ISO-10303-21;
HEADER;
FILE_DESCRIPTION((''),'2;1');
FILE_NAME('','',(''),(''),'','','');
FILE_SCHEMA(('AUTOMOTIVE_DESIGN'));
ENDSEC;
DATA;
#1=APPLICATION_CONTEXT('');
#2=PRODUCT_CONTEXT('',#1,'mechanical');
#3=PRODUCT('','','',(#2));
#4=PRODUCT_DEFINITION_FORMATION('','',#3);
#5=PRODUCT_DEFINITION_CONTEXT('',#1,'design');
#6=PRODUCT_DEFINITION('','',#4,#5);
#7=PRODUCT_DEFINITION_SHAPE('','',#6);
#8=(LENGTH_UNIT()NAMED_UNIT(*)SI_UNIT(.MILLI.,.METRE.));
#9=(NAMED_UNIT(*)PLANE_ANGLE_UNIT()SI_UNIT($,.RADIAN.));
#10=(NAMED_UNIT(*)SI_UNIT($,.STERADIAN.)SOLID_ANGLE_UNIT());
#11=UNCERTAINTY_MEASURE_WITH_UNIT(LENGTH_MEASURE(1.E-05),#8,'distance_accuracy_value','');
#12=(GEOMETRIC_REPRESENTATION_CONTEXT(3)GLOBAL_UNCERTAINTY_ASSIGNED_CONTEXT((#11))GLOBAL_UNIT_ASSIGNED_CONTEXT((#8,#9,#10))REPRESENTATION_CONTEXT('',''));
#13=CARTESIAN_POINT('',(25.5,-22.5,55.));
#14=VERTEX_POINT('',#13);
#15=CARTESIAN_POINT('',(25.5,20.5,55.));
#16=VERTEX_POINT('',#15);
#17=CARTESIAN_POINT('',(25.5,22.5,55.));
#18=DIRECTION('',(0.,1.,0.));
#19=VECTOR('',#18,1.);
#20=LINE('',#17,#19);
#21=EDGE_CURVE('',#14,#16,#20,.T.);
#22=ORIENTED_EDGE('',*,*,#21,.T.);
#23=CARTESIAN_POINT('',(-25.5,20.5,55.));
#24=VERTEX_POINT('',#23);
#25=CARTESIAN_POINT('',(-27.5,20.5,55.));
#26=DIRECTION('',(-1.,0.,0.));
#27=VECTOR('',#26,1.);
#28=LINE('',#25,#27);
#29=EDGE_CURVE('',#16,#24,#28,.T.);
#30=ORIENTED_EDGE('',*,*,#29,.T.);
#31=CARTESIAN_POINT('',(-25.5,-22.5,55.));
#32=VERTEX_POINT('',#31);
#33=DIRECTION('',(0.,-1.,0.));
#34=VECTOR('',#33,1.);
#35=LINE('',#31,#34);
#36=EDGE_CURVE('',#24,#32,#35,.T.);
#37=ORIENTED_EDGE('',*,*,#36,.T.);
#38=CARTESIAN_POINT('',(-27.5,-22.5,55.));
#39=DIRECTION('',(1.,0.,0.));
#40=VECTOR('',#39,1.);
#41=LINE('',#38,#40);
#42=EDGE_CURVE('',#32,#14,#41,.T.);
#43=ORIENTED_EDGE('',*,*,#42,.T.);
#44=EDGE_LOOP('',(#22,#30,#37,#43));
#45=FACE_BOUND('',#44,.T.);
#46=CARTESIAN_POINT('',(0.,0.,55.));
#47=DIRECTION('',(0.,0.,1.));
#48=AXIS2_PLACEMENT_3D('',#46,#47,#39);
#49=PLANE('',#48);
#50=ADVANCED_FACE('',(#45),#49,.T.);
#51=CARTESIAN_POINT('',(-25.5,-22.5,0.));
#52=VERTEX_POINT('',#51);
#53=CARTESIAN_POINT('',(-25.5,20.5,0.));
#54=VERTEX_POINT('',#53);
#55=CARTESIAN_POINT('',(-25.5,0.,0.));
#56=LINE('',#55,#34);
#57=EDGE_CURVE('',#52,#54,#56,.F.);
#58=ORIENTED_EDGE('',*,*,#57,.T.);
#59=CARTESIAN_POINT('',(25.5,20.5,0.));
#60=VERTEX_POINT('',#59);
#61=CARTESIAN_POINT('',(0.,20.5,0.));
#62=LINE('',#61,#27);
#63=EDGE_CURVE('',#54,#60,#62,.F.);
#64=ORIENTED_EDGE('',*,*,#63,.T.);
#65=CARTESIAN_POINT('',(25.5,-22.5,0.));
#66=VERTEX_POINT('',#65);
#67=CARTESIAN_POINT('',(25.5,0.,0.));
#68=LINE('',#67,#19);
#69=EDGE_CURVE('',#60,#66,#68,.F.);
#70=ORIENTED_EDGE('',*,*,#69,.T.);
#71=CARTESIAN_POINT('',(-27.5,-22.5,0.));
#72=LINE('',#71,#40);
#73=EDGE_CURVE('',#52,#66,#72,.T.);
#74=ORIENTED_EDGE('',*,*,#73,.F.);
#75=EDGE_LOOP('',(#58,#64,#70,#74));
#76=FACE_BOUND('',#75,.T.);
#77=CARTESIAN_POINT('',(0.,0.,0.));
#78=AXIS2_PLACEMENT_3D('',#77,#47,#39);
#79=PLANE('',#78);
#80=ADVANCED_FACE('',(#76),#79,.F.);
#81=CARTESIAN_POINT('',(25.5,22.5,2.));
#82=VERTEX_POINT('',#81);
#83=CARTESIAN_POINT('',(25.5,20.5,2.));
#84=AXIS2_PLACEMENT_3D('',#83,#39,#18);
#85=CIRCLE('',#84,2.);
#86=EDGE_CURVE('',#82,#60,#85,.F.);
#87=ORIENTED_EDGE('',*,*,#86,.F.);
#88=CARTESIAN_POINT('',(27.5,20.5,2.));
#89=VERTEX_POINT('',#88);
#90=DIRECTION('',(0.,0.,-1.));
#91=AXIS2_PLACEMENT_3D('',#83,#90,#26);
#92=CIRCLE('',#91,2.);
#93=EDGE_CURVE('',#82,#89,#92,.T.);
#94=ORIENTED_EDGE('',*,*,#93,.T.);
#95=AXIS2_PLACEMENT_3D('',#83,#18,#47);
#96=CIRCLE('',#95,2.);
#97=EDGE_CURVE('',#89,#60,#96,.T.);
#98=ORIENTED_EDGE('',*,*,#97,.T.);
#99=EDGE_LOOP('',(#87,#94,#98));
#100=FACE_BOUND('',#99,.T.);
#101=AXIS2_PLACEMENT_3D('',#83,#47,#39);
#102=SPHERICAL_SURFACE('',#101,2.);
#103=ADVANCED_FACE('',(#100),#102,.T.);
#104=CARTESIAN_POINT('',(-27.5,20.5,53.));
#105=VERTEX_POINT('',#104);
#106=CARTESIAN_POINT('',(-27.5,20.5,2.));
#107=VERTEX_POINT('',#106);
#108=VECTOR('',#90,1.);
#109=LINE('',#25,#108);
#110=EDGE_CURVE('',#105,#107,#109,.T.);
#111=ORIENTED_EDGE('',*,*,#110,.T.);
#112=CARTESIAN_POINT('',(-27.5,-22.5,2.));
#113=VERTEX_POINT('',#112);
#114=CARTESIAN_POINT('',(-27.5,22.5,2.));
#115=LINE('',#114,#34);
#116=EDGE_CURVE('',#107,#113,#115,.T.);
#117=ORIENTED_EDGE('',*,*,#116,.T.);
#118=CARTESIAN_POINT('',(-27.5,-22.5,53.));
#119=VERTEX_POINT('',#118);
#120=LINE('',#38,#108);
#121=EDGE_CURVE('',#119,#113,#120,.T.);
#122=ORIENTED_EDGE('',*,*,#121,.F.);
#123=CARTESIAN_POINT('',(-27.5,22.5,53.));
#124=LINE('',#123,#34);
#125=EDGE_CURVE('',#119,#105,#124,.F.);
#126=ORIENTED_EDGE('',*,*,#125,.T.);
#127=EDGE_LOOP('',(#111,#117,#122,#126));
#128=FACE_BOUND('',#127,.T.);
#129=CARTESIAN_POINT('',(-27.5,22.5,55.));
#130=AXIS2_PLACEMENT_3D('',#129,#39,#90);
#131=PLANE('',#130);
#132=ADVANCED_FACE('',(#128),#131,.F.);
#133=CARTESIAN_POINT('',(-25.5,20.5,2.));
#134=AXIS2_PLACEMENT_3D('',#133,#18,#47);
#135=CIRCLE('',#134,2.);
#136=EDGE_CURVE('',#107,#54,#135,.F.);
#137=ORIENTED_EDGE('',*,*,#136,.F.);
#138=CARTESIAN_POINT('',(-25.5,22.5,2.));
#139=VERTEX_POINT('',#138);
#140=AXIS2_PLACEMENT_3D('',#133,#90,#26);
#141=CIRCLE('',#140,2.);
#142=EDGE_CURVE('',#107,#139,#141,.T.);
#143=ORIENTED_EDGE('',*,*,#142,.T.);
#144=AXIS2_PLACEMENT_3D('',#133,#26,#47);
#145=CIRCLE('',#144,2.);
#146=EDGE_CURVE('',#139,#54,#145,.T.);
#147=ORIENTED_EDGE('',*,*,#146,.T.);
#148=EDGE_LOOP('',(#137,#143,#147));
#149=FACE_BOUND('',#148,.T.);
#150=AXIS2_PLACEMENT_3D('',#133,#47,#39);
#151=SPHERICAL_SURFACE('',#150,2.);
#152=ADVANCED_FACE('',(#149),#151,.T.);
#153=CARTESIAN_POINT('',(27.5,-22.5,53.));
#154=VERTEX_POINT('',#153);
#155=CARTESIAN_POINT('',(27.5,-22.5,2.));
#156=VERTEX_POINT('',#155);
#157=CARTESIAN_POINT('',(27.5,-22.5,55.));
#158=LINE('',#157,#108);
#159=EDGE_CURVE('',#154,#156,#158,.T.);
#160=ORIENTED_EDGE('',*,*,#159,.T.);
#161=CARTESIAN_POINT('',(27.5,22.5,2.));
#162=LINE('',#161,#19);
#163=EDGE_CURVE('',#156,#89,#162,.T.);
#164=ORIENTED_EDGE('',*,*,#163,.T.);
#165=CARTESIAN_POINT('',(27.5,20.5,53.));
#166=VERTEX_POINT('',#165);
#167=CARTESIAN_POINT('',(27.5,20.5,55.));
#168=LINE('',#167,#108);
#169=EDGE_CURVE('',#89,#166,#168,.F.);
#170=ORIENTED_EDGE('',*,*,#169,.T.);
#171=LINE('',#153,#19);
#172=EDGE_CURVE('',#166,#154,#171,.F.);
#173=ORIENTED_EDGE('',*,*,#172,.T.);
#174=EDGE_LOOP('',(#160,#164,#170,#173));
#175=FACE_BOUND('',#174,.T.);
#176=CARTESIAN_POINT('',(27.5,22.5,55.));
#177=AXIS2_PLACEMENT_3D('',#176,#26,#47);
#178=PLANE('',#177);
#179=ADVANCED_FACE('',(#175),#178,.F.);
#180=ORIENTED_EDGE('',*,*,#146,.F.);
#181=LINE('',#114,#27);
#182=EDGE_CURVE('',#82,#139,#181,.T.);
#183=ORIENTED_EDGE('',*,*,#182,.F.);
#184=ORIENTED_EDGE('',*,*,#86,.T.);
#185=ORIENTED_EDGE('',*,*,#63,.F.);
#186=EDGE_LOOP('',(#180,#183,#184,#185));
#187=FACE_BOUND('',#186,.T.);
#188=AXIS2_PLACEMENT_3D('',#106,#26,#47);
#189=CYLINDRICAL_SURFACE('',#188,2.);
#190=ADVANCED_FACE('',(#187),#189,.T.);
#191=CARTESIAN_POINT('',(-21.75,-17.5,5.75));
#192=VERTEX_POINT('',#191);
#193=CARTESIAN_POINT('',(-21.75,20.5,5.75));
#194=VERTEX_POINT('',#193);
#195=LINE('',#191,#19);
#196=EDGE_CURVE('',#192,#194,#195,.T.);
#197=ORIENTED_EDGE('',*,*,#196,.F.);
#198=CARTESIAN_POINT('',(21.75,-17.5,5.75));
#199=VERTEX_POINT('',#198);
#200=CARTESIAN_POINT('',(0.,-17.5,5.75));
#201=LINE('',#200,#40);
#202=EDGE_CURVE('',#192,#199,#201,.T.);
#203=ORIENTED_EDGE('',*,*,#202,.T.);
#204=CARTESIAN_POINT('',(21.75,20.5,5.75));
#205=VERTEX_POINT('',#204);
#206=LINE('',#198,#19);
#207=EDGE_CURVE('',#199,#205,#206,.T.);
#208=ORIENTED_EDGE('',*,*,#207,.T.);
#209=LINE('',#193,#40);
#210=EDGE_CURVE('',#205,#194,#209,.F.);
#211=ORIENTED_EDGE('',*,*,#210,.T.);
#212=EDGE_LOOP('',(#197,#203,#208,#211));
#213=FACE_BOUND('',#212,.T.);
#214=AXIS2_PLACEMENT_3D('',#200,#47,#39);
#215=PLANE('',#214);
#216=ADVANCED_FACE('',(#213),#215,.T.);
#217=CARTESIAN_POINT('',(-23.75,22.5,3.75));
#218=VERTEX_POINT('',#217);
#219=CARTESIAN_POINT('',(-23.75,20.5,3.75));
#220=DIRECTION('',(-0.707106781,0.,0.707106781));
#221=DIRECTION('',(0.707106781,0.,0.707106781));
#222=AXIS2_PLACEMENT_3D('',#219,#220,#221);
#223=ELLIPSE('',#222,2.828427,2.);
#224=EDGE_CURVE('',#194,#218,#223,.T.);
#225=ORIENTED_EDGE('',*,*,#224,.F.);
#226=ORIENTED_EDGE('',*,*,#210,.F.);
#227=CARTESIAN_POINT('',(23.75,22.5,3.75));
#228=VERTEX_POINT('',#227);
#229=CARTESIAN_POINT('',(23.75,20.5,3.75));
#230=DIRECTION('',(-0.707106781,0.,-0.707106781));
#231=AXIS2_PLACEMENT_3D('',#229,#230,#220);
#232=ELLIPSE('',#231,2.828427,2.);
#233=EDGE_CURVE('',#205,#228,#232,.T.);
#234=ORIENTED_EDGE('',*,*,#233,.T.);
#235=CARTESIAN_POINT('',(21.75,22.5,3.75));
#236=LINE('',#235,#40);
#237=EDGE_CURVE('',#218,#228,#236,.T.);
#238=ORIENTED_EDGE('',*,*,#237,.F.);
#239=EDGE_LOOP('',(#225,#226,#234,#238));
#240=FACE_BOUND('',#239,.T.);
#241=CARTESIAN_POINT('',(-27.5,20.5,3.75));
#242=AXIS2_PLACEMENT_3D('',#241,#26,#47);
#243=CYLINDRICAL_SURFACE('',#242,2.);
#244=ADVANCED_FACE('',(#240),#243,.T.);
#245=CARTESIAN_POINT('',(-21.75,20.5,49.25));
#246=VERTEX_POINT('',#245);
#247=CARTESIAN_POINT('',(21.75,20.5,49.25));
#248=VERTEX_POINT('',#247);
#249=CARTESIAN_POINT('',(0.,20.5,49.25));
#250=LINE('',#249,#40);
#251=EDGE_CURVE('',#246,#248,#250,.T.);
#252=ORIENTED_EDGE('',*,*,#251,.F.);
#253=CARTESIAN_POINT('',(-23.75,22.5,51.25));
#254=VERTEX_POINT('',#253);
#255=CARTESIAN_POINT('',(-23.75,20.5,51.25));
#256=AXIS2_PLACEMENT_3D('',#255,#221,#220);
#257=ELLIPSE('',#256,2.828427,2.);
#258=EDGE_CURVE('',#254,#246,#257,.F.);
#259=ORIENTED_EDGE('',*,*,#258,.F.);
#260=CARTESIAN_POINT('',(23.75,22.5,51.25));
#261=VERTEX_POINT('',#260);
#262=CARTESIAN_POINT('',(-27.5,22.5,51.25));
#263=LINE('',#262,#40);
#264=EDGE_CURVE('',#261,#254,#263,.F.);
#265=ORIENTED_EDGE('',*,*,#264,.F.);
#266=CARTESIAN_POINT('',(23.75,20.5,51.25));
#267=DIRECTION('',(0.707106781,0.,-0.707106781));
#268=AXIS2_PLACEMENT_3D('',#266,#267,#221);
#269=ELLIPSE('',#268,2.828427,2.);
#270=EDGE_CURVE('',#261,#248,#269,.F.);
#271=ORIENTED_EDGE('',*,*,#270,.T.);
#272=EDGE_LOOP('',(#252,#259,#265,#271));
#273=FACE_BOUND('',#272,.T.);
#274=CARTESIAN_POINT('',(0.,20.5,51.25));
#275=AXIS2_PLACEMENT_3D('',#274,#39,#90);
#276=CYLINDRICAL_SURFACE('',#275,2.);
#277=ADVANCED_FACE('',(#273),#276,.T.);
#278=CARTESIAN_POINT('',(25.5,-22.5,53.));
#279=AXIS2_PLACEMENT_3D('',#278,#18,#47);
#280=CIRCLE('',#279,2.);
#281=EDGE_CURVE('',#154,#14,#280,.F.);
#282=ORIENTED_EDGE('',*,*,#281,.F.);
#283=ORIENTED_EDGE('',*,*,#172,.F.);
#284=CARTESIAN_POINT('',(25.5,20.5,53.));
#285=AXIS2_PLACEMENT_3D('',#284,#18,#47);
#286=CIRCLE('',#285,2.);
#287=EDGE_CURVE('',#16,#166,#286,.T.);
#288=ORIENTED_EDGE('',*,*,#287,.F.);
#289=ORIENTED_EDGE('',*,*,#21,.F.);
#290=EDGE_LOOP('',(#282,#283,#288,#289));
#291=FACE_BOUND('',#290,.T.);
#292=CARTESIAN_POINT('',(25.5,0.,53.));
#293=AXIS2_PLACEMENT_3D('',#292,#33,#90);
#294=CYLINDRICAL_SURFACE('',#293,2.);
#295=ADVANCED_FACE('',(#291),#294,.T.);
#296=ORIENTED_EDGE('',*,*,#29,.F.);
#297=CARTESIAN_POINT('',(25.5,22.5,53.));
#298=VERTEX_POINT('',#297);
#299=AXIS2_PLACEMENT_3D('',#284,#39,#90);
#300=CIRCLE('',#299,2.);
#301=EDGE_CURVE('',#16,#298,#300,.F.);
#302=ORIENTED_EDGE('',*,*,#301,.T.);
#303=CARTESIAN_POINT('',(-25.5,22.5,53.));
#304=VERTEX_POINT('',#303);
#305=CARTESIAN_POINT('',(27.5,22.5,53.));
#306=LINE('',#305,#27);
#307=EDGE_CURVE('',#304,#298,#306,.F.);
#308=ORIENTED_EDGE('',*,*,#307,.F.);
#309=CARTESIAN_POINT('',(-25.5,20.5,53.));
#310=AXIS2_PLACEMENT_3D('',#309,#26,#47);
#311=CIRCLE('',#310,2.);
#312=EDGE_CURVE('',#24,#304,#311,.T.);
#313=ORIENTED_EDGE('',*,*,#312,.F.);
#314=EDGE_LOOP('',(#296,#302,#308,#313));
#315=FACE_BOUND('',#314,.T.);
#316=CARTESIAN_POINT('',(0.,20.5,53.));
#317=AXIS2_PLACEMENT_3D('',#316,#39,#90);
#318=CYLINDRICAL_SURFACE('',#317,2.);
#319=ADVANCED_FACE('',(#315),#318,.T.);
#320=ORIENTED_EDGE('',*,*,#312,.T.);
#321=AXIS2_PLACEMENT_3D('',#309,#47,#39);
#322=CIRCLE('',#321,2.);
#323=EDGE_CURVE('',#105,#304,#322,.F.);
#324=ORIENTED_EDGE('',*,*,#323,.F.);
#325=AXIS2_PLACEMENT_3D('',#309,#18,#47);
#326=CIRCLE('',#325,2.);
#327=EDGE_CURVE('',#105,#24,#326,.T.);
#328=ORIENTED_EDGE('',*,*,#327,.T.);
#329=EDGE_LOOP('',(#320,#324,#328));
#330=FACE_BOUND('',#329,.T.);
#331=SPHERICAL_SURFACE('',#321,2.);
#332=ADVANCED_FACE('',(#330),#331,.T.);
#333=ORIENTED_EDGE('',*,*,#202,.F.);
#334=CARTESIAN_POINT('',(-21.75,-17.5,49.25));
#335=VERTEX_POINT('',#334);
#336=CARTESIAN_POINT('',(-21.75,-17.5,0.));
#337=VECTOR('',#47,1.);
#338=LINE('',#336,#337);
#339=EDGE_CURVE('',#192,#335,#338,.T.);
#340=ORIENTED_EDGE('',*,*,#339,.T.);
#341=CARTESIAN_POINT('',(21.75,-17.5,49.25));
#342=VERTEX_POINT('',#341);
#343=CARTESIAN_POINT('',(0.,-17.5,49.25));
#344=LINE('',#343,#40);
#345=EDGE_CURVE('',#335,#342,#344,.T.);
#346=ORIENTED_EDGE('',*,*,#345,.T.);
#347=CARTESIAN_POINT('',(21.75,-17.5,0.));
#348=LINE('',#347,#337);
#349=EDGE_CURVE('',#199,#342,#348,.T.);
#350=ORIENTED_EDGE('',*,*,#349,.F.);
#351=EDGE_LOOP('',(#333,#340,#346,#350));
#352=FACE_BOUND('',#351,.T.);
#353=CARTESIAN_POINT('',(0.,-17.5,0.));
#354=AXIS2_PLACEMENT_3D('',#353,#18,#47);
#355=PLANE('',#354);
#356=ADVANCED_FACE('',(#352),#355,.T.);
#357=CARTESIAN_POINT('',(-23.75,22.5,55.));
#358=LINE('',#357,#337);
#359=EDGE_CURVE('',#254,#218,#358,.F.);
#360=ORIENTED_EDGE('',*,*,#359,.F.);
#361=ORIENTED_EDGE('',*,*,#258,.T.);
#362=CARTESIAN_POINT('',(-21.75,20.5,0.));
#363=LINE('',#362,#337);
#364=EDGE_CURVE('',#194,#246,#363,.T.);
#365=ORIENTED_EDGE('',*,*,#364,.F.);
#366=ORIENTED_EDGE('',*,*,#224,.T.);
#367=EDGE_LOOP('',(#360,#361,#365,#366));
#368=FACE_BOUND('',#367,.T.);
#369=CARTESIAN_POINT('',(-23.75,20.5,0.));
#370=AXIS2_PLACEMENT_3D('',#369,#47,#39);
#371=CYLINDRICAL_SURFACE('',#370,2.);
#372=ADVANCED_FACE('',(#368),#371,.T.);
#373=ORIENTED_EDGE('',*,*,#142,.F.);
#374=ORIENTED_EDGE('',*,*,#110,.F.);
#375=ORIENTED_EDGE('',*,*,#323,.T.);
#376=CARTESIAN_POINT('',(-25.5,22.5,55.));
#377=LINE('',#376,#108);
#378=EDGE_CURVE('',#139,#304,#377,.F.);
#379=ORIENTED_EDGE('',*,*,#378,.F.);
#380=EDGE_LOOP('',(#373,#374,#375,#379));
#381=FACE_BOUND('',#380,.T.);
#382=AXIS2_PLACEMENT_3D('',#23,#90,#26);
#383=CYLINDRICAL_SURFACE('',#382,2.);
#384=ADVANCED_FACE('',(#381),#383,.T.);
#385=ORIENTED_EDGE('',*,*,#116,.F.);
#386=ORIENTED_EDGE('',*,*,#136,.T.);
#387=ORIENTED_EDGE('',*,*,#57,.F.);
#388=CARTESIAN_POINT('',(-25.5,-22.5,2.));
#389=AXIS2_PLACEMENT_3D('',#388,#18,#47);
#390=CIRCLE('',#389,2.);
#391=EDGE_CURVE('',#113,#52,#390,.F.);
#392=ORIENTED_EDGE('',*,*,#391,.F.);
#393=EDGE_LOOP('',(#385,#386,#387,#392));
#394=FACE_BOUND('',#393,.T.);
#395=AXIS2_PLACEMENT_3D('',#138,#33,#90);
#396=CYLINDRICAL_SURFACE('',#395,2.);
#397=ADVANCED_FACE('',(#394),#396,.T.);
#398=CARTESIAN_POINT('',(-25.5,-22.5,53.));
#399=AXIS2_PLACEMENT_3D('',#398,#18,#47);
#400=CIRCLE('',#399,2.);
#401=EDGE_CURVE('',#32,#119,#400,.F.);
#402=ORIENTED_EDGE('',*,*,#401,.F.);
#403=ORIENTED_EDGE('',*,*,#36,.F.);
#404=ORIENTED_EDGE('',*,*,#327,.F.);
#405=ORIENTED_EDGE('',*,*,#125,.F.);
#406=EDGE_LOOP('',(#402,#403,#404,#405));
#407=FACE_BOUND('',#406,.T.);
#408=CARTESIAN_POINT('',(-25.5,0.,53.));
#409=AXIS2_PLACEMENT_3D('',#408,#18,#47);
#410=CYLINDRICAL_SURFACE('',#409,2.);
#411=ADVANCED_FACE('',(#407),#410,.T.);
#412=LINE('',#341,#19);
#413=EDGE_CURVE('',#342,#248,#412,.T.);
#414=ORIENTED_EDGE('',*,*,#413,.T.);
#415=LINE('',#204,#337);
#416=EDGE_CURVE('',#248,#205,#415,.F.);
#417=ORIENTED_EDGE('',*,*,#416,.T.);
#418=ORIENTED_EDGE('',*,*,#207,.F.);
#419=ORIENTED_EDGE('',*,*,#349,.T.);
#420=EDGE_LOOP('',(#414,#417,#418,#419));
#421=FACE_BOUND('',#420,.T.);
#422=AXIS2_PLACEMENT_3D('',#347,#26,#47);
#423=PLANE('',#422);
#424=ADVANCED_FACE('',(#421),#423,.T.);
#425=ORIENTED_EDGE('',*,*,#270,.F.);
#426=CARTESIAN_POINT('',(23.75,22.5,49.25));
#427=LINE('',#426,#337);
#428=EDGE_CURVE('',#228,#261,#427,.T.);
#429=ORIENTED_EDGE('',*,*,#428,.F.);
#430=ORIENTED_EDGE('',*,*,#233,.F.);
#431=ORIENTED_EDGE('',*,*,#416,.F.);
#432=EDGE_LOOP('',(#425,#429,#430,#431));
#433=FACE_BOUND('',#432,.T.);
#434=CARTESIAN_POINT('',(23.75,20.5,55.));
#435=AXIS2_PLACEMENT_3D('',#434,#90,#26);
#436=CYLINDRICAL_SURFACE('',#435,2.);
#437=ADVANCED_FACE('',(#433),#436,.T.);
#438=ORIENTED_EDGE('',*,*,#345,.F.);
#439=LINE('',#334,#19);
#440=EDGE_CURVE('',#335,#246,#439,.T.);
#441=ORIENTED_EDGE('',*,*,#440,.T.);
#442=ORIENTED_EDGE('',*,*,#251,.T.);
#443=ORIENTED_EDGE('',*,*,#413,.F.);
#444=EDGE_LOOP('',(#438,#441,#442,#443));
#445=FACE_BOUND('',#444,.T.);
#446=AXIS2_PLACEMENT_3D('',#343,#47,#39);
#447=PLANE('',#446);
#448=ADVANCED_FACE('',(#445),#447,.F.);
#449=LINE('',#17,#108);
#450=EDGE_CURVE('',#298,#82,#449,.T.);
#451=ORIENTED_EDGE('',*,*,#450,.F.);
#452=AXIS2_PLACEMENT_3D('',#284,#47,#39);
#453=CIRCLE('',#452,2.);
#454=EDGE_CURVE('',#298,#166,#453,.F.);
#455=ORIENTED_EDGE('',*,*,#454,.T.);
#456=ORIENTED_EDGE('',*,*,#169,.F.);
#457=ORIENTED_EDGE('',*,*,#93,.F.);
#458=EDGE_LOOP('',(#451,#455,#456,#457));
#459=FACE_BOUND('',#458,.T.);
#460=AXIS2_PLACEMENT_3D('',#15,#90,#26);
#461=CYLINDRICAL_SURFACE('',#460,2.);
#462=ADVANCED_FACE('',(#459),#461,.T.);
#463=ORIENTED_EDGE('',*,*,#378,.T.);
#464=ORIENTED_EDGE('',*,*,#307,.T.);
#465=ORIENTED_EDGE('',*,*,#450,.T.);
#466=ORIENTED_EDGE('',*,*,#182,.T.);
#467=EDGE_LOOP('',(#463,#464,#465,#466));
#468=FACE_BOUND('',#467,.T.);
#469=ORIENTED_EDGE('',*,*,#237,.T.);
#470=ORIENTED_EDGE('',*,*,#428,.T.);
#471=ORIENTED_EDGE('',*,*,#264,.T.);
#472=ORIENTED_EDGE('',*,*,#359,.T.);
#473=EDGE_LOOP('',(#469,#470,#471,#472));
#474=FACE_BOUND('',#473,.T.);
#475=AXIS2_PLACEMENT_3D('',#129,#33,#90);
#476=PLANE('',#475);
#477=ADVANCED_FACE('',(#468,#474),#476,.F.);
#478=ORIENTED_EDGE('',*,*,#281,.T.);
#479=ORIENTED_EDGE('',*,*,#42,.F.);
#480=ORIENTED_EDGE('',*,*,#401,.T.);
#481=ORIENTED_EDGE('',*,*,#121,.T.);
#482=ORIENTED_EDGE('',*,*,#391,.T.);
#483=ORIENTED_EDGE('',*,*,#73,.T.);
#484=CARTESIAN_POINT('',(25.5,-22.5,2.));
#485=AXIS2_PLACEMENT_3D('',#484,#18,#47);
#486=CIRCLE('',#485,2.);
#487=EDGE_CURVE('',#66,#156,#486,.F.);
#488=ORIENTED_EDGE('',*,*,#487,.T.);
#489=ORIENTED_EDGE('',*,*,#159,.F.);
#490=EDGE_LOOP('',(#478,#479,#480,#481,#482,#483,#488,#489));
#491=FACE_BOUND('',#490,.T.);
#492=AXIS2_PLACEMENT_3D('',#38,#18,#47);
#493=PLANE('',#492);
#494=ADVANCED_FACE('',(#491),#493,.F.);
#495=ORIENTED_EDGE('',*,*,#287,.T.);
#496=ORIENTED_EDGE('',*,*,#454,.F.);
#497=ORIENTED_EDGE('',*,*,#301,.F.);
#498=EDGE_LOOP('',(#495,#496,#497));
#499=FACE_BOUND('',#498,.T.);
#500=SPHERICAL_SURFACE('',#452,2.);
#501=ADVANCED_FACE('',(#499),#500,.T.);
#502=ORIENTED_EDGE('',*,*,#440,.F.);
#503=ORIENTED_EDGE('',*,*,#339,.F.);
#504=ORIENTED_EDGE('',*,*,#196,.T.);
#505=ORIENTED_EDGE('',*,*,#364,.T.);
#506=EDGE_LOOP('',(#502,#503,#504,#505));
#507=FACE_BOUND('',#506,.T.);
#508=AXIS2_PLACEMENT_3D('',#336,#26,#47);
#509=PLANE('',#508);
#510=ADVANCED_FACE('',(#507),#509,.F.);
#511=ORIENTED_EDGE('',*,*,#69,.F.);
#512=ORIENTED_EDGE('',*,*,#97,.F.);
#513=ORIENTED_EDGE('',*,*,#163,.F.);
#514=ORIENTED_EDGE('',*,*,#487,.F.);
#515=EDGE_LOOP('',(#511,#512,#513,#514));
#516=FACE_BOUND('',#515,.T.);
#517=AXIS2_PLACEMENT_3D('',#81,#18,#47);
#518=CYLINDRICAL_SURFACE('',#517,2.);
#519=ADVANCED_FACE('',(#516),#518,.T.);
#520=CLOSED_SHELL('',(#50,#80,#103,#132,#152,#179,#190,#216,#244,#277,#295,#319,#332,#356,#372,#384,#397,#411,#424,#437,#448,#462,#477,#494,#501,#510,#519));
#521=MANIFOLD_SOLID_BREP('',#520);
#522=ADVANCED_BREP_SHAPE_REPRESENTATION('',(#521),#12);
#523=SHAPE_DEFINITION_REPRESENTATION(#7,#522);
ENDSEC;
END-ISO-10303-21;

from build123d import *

# Parameters (mm, degrees)
SKETCH1_W           = 55
SKETCH1_H           = 45
BOSS_EXTRUDE1_DEPTH = 55
SKETCH2_W           = 43.5
SKETCH2_H           = 43.5
CUT_EXTRUDE1_DEPTH  = 40
FILLET2_R           = 2


with BuildPart() as part:
    # Sketch1 → Boss-Extrude1 (new body)
    with BuildSketch(Plane.XY):
        Rectangle(SKETCH1_W, SKETCH1_H)
    extrude(amount=BOSS_EXTRUDE1_DEPTH)

    # Sketch2 → Cut-Extrude1 (cut)
    with BuildSketch(Plane(origin=(0, 22.5, 0), x_dir=(1, 0, 0), z_dir=(0, 1, 0))):
        with Locations((0, -27.5)):
            Rectangle(SKETCH2_W, SKETCH2_H)
    extrude(amount=-CUT_EXTRUDE1_DEPTH, mode=Mode.SUBTRACT)

    # Fillet2
    fillet2_edges = [part.edges().sort_by_distance(p)[0] for p in [
        (-27.5, 0, 55),
        (21.75, 22.5, 27.5),
        (0, 22.5, 5.75),
        (-21.75, 22.5, 27.5),
        (0, 22.5, 49.25),
        (27.5, 0, 55),
        (-27.5, 0, 0),
        (0, 22.5, 0),
        (27.5, 0, 0),
        (0, 22.5, 55),
        (-27.5, 22.5, 27.5),
        (27.5, 22.5, 27.5),
    ]]
    fillet(fillet2_edges, radius=FILLET2_R)


solid = part.part
